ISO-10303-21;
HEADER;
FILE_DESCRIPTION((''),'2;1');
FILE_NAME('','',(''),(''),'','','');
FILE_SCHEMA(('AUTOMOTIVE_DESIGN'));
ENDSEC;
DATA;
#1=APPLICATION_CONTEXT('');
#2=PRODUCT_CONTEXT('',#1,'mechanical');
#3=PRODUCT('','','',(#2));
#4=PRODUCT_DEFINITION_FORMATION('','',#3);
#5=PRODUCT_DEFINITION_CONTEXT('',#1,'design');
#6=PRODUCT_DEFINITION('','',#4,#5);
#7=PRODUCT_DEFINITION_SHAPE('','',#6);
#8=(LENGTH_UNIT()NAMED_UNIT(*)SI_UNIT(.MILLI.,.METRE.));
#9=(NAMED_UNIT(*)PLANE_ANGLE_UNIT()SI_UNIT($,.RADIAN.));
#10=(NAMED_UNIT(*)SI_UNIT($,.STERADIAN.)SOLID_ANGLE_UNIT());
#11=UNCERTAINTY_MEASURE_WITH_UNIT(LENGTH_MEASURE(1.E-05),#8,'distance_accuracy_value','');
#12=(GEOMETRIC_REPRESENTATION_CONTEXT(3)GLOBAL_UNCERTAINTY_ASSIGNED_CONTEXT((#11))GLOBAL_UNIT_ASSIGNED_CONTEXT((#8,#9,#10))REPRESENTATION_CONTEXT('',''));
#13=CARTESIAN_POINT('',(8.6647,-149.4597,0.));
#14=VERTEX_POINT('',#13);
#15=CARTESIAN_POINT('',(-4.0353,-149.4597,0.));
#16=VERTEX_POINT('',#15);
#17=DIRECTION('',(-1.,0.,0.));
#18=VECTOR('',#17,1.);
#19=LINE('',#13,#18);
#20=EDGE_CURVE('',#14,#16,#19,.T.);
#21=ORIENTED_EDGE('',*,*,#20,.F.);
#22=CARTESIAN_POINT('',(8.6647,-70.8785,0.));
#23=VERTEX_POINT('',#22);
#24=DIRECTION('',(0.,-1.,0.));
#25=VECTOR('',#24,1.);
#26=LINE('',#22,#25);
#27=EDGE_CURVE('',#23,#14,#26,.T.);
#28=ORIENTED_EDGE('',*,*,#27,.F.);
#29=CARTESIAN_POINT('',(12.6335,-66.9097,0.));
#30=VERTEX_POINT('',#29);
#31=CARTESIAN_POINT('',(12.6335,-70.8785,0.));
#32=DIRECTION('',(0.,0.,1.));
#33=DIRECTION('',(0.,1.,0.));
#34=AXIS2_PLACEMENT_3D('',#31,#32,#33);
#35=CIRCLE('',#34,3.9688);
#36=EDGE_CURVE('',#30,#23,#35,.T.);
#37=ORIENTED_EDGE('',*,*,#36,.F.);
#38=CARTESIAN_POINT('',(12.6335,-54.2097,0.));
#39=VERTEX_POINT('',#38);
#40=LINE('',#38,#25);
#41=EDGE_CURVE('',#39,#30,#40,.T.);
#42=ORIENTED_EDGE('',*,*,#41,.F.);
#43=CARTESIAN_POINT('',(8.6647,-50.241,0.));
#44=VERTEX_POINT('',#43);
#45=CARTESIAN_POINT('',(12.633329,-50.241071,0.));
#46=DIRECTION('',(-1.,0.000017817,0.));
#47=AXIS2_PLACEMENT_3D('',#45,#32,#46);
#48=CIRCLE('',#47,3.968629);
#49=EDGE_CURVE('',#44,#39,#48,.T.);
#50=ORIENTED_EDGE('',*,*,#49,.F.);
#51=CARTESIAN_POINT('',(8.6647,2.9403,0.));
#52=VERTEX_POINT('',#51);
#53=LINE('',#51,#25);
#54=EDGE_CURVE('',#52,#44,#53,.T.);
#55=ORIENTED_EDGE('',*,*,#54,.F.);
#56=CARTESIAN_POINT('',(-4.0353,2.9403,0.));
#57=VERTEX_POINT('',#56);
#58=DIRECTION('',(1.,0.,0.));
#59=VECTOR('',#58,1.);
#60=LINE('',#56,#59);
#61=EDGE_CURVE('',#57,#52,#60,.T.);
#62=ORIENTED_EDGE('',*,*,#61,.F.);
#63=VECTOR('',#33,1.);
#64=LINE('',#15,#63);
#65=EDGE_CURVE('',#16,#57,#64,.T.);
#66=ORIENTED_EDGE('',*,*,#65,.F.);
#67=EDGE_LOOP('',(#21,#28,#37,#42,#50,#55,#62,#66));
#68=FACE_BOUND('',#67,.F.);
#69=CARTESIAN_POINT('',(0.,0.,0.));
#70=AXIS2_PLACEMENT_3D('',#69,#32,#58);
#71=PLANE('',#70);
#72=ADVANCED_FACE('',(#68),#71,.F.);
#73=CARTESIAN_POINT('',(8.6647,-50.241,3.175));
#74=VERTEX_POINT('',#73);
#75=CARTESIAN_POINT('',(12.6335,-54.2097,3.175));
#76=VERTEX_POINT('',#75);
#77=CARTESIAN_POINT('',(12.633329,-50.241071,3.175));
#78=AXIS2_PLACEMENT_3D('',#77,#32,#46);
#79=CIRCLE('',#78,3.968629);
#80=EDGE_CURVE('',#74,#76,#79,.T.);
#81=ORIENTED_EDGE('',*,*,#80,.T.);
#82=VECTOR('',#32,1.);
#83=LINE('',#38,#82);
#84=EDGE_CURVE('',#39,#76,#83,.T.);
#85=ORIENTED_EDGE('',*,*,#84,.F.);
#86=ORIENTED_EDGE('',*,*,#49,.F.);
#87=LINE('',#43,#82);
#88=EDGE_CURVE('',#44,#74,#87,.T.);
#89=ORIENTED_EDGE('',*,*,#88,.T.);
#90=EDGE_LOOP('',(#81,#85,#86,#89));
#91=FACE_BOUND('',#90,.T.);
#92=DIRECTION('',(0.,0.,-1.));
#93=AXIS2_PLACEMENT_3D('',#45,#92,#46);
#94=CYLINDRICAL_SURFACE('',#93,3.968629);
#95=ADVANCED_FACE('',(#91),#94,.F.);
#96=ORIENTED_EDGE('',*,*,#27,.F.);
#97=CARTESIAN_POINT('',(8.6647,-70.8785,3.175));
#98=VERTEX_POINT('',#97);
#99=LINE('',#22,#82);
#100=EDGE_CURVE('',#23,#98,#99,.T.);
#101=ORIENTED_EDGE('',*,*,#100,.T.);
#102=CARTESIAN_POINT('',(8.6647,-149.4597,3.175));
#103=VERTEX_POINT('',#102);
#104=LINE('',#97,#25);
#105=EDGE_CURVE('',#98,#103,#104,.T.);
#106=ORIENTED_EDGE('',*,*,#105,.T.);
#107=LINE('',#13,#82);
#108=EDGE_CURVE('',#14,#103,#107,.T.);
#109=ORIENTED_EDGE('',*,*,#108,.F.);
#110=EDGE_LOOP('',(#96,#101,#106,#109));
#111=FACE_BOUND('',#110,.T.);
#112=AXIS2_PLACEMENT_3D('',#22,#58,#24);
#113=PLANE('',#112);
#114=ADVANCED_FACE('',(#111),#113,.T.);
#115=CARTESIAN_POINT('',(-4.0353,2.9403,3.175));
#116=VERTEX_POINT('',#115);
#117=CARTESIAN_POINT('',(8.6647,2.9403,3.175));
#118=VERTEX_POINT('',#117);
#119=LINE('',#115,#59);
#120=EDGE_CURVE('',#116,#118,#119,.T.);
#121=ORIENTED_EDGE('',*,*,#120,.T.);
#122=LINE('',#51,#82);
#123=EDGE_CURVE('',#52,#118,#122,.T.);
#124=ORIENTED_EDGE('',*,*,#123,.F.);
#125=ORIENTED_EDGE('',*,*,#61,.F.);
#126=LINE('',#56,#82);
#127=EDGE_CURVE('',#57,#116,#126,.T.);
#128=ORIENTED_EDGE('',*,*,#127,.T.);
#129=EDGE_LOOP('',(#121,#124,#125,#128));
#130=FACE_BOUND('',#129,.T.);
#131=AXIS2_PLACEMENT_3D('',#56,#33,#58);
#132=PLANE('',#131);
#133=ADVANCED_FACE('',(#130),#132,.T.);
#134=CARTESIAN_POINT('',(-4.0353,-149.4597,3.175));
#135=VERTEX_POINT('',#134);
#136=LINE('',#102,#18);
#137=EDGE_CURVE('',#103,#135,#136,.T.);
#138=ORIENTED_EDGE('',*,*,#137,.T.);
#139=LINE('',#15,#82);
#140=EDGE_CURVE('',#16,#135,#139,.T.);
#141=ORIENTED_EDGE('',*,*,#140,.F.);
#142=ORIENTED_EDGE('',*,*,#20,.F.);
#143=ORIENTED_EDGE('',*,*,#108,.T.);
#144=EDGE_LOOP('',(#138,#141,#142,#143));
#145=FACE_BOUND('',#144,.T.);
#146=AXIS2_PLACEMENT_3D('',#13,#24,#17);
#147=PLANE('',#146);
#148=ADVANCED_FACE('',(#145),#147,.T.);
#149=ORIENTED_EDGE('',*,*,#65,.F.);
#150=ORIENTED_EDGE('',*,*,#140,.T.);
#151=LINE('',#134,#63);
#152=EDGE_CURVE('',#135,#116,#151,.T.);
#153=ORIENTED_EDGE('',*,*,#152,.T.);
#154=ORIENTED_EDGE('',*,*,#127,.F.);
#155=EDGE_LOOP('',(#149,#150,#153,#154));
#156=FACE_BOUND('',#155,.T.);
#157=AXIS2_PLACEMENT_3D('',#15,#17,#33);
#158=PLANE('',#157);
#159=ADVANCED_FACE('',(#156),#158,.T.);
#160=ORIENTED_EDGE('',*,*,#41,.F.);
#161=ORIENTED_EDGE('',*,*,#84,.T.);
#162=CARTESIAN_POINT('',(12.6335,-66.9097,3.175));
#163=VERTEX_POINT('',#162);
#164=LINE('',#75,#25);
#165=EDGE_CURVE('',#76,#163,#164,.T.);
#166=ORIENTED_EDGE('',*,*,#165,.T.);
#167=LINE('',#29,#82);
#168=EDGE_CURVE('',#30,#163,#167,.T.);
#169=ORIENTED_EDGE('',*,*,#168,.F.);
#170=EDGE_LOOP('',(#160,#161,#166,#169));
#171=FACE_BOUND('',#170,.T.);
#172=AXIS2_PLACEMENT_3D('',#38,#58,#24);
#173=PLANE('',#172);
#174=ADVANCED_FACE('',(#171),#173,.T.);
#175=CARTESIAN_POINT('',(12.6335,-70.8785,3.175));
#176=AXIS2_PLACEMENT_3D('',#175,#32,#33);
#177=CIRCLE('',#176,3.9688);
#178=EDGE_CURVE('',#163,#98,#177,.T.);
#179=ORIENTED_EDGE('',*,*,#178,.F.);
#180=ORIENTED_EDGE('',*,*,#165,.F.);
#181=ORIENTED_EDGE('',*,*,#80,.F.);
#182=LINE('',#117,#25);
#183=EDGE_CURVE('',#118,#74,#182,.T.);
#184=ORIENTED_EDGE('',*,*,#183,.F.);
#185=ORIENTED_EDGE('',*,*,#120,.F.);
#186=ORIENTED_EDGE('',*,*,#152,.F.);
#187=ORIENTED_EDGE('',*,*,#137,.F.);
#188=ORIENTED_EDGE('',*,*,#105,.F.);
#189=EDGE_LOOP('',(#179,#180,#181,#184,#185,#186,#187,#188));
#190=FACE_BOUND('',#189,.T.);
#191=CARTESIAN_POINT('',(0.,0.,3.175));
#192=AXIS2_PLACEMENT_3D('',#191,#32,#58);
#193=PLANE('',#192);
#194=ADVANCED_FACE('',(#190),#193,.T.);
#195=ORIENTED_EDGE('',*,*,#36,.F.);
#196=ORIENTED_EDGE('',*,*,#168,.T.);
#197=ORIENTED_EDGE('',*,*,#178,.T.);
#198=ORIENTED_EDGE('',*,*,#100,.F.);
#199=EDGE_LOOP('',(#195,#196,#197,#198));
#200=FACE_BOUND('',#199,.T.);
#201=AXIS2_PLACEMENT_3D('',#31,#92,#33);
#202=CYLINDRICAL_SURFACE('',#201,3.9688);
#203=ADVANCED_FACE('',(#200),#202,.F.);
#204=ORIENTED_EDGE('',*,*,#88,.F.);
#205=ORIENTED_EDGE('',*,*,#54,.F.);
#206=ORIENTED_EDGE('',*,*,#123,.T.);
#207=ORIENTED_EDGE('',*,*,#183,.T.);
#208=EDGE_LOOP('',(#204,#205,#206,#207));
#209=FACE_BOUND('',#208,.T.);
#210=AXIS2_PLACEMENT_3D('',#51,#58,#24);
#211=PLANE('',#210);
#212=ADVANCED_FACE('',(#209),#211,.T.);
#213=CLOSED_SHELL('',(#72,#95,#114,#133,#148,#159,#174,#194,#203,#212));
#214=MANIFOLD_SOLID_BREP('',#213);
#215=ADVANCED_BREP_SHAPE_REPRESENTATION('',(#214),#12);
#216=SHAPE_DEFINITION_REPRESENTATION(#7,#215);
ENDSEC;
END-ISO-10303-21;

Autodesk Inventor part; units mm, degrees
ref_plane "YZ Plane" through (0, 0, 0) normal (1, 0, 0) x (0, 1, 0)
ref_plane "XZ Plane" through (0, 0, 0) normal (0, 1, 0) x (-1, 0, 0)
ref_plane "XY Plane" through (0, 0, 0) normal (0, 0, 1) x (1, 0, 0)
sketch "Sketch1" plane through (0, 0, 0) normal (0, 0, 1) x (1, 0, 0)
  line L0 (-4.0353, 2.9403) -> (8.6647, 2.9403)
  line L1 (8.6647, 2.9403) -> (8.6647, -50.241)
  line L2 (8.6647, -149.4597) -> (-4.0353, -149.4597)
  line L3 (-4.0353, -149.4597) -> (-4.0353, 2.9403)
  line L4 (12.6335, -54.2097) -> (12.6335, -54.2097)
  line L5 (12.6335, -54.2097) -> (12.6335, -66.9097)
  line L6 (12.6335, -66.9097) -> (12.6335, -66.9097)
  line L7 (8.6647, -70.8785) -> (8.6647, -149.4597)
  arc A0 (8.6647, -50.241) -> (12.6335, -54.2097) centre (12.6335, -50.241) ccw
  arc A1 (12.6335, -66.9097) -> (8.6647, -70.8785) centre (12.6335, -70.8785) ccw
  point P0 (0, 0)
  point P1 (8.6647, -66.9097)
  dimension "d0" = 12.7
  dimension "d1" = 152.4
  dimension "d2" = 3.9688
  dimension "d3" = 12.7
  dimension "d4" = 3.9688
  dimension "d5" = 57.15
extrude "Extrusion1" add sketch "Sketch1" along normal blind 3.175
properties part number "Granny Gearbox Routing Template Vertical Tabs"
